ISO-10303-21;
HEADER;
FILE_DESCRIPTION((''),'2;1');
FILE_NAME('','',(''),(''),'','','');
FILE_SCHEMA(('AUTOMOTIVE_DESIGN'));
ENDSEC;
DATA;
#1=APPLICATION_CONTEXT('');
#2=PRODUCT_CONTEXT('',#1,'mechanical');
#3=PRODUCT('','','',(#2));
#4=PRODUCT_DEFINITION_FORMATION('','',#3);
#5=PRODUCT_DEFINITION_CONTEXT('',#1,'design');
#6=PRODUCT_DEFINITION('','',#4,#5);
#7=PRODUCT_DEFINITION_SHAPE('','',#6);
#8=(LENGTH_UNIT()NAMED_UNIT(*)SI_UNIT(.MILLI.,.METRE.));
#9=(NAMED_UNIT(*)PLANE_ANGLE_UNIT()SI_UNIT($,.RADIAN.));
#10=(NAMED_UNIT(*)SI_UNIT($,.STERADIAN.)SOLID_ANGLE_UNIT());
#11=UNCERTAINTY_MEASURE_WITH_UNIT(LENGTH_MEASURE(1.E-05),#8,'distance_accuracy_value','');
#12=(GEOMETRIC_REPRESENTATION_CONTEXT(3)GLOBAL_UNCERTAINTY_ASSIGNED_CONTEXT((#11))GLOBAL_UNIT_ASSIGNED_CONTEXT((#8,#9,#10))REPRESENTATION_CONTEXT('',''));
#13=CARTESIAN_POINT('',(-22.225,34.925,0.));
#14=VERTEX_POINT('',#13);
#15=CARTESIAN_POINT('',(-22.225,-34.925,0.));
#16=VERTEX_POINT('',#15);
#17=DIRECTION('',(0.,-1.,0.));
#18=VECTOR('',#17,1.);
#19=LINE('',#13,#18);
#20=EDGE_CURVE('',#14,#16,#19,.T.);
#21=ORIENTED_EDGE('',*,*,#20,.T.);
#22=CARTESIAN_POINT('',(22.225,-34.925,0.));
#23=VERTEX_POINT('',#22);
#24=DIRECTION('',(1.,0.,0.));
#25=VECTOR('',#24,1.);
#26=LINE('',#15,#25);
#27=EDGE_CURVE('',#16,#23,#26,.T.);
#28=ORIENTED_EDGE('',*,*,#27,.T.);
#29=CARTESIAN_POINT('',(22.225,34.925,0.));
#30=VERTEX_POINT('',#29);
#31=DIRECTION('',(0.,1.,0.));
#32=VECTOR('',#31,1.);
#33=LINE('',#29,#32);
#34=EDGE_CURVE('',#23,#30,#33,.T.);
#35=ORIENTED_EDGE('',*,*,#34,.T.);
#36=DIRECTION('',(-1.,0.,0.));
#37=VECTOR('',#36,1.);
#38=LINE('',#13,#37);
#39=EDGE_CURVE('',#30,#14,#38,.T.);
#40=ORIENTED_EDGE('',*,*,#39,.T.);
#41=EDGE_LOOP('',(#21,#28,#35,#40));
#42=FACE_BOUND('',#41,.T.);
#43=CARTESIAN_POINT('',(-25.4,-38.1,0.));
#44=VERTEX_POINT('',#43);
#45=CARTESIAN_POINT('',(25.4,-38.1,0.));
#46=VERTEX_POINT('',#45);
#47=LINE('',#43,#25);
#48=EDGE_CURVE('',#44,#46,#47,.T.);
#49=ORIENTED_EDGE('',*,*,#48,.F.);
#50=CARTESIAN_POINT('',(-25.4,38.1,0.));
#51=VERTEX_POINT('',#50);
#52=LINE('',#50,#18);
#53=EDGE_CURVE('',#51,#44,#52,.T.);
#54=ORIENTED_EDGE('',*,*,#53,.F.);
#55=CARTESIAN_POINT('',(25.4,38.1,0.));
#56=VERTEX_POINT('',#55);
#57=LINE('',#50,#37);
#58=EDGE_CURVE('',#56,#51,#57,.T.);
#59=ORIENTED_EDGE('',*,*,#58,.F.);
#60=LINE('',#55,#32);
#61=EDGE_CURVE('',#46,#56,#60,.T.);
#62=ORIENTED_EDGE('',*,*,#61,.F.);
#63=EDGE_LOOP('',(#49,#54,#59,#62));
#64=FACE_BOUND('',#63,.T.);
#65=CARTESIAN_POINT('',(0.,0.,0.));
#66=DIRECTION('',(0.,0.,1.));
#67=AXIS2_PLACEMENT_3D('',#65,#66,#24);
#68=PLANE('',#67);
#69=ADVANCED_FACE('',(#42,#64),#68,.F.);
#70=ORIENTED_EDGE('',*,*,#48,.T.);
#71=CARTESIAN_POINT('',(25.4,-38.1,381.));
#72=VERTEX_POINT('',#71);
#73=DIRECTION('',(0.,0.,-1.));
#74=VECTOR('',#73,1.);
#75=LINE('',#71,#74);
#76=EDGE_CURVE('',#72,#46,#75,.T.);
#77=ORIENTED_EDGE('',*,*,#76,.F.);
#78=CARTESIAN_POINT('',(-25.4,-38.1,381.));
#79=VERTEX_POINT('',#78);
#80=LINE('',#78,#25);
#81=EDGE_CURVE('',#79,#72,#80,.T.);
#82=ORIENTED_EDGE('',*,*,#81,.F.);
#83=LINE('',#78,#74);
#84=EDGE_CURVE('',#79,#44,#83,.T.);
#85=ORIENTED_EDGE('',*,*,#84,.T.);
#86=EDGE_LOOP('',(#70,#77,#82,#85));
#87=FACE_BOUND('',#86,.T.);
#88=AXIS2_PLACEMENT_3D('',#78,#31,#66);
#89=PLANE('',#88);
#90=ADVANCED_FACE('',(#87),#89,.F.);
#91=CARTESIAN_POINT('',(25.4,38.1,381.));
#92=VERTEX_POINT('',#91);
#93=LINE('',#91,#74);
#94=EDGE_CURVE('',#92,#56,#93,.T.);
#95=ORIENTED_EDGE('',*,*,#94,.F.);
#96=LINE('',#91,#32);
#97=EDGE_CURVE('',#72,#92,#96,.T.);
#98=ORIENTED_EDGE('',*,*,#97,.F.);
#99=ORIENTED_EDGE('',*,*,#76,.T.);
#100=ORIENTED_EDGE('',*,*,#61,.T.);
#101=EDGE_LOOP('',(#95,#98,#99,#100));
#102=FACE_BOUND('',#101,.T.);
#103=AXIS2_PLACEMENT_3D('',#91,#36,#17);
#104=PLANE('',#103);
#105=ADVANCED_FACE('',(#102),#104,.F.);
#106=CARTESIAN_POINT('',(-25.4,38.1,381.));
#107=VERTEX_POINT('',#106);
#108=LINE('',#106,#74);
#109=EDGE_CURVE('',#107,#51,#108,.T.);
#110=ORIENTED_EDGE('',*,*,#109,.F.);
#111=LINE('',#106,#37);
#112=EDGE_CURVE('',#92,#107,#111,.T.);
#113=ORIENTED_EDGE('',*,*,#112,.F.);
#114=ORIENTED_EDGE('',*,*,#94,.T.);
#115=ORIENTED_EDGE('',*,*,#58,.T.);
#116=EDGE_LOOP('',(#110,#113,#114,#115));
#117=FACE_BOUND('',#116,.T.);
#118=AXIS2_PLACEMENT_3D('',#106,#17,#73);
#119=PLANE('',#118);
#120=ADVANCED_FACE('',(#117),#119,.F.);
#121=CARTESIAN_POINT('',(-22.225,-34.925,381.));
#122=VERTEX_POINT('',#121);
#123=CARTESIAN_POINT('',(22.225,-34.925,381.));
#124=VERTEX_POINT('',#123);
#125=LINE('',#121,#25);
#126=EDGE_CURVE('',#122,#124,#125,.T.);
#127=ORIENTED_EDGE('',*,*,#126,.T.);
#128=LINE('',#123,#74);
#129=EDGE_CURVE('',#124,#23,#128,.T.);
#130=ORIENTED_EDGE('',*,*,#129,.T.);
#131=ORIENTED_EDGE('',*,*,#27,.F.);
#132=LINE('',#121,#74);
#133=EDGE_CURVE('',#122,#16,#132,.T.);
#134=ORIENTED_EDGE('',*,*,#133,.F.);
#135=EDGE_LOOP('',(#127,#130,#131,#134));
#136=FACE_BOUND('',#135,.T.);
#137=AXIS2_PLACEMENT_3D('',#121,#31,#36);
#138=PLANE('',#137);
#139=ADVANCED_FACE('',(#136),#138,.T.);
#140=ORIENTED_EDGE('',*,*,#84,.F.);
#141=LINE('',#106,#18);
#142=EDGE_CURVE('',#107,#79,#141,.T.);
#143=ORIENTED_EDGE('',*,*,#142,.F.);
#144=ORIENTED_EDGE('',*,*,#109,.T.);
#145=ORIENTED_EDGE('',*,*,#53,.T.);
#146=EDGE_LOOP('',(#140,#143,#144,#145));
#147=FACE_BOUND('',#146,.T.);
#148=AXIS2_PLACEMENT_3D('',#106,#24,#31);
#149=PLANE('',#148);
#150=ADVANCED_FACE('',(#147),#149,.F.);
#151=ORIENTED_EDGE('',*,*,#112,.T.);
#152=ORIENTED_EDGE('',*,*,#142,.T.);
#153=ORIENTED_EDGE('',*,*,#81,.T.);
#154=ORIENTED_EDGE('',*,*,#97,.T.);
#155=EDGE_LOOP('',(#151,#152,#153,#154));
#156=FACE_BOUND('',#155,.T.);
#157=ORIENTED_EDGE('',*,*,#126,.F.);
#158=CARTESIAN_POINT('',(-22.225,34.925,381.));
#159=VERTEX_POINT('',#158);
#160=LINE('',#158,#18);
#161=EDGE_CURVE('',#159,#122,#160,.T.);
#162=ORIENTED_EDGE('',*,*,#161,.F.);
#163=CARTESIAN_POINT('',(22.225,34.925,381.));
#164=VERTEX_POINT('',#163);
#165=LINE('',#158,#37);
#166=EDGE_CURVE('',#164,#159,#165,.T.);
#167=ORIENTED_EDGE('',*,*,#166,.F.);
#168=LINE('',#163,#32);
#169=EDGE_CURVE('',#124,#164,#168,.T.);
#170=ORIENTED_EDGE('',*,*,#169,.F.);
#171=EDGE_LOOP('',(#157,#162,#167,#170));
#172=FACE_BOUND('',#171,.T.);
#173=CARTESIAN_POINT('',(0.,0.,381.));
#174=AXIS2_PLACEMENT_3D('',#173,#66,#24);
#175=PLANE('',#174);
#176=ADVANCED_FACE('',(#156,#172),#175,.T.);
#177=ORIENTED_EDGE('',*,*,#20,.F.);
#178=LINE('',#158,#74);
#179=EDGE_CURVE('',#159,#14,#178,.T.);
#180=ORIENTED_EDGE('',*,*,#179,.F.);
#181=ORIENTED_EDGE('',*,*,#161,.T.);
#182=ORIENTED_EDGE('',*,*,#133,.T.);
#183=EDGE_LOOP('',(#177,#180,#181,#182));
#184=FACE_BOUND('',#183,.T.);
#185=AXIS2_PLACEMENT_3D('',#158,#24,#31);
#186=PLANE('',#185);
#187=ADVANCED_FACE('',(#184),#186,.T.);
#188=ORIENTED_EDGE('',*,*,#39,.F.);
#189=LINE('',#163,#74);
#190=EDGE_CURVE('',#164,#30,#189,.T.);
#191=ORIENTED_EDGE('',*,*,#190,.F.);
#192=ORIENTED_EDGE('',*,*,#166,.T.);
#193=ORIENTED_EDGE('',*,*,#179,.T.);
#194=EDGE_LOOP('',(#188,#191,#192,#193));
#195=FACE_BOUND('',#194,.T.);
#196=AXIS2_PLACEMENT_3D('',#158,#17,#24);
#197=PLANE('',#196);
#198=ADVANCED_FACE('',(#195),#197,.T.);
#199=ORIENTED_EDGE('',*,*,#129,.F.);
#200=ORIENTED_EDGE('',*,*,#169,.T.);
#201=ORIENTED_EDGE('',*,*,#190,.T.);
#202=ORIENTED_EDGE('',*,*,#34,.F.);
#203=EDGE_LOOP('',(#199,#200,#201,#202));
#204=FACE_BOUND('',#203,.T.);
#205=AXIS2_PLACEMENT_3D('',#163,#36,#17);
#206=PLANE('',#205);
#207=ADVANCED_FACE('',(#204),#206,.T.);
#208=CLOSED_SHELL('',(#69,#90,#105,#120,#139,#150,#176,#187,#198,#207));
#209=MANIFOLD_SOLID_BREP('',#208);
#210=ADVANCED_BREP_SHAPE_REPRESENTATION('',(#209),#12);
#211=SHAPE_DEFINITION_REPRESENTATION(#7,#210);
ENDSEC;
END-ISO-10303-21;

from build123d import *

# Parameters (mm, degrees)
SKETCH1_W           = 50.8
SKETCH1_H           = 76.2
SKETCH1_W_2         = 44.45
SKETCH1_H_2         = 69.85
BOSS_EXTRUDE1_DEPTH = 381


with BuildPart() as part:
    # Sketch1 → Boss-Extrude1 (new body)
    with BuildSketch(Plane.XY):
        Rectangle(SKETCH1_W, SKETCH1_H)
        Rectangle(SKETCH1_W_2, SKETCH1_H_2, mode=Mode.SUBTRACT)
    extrude(amount=BOSS_EXTRUDE1_DEPTH)


solid = part.part
